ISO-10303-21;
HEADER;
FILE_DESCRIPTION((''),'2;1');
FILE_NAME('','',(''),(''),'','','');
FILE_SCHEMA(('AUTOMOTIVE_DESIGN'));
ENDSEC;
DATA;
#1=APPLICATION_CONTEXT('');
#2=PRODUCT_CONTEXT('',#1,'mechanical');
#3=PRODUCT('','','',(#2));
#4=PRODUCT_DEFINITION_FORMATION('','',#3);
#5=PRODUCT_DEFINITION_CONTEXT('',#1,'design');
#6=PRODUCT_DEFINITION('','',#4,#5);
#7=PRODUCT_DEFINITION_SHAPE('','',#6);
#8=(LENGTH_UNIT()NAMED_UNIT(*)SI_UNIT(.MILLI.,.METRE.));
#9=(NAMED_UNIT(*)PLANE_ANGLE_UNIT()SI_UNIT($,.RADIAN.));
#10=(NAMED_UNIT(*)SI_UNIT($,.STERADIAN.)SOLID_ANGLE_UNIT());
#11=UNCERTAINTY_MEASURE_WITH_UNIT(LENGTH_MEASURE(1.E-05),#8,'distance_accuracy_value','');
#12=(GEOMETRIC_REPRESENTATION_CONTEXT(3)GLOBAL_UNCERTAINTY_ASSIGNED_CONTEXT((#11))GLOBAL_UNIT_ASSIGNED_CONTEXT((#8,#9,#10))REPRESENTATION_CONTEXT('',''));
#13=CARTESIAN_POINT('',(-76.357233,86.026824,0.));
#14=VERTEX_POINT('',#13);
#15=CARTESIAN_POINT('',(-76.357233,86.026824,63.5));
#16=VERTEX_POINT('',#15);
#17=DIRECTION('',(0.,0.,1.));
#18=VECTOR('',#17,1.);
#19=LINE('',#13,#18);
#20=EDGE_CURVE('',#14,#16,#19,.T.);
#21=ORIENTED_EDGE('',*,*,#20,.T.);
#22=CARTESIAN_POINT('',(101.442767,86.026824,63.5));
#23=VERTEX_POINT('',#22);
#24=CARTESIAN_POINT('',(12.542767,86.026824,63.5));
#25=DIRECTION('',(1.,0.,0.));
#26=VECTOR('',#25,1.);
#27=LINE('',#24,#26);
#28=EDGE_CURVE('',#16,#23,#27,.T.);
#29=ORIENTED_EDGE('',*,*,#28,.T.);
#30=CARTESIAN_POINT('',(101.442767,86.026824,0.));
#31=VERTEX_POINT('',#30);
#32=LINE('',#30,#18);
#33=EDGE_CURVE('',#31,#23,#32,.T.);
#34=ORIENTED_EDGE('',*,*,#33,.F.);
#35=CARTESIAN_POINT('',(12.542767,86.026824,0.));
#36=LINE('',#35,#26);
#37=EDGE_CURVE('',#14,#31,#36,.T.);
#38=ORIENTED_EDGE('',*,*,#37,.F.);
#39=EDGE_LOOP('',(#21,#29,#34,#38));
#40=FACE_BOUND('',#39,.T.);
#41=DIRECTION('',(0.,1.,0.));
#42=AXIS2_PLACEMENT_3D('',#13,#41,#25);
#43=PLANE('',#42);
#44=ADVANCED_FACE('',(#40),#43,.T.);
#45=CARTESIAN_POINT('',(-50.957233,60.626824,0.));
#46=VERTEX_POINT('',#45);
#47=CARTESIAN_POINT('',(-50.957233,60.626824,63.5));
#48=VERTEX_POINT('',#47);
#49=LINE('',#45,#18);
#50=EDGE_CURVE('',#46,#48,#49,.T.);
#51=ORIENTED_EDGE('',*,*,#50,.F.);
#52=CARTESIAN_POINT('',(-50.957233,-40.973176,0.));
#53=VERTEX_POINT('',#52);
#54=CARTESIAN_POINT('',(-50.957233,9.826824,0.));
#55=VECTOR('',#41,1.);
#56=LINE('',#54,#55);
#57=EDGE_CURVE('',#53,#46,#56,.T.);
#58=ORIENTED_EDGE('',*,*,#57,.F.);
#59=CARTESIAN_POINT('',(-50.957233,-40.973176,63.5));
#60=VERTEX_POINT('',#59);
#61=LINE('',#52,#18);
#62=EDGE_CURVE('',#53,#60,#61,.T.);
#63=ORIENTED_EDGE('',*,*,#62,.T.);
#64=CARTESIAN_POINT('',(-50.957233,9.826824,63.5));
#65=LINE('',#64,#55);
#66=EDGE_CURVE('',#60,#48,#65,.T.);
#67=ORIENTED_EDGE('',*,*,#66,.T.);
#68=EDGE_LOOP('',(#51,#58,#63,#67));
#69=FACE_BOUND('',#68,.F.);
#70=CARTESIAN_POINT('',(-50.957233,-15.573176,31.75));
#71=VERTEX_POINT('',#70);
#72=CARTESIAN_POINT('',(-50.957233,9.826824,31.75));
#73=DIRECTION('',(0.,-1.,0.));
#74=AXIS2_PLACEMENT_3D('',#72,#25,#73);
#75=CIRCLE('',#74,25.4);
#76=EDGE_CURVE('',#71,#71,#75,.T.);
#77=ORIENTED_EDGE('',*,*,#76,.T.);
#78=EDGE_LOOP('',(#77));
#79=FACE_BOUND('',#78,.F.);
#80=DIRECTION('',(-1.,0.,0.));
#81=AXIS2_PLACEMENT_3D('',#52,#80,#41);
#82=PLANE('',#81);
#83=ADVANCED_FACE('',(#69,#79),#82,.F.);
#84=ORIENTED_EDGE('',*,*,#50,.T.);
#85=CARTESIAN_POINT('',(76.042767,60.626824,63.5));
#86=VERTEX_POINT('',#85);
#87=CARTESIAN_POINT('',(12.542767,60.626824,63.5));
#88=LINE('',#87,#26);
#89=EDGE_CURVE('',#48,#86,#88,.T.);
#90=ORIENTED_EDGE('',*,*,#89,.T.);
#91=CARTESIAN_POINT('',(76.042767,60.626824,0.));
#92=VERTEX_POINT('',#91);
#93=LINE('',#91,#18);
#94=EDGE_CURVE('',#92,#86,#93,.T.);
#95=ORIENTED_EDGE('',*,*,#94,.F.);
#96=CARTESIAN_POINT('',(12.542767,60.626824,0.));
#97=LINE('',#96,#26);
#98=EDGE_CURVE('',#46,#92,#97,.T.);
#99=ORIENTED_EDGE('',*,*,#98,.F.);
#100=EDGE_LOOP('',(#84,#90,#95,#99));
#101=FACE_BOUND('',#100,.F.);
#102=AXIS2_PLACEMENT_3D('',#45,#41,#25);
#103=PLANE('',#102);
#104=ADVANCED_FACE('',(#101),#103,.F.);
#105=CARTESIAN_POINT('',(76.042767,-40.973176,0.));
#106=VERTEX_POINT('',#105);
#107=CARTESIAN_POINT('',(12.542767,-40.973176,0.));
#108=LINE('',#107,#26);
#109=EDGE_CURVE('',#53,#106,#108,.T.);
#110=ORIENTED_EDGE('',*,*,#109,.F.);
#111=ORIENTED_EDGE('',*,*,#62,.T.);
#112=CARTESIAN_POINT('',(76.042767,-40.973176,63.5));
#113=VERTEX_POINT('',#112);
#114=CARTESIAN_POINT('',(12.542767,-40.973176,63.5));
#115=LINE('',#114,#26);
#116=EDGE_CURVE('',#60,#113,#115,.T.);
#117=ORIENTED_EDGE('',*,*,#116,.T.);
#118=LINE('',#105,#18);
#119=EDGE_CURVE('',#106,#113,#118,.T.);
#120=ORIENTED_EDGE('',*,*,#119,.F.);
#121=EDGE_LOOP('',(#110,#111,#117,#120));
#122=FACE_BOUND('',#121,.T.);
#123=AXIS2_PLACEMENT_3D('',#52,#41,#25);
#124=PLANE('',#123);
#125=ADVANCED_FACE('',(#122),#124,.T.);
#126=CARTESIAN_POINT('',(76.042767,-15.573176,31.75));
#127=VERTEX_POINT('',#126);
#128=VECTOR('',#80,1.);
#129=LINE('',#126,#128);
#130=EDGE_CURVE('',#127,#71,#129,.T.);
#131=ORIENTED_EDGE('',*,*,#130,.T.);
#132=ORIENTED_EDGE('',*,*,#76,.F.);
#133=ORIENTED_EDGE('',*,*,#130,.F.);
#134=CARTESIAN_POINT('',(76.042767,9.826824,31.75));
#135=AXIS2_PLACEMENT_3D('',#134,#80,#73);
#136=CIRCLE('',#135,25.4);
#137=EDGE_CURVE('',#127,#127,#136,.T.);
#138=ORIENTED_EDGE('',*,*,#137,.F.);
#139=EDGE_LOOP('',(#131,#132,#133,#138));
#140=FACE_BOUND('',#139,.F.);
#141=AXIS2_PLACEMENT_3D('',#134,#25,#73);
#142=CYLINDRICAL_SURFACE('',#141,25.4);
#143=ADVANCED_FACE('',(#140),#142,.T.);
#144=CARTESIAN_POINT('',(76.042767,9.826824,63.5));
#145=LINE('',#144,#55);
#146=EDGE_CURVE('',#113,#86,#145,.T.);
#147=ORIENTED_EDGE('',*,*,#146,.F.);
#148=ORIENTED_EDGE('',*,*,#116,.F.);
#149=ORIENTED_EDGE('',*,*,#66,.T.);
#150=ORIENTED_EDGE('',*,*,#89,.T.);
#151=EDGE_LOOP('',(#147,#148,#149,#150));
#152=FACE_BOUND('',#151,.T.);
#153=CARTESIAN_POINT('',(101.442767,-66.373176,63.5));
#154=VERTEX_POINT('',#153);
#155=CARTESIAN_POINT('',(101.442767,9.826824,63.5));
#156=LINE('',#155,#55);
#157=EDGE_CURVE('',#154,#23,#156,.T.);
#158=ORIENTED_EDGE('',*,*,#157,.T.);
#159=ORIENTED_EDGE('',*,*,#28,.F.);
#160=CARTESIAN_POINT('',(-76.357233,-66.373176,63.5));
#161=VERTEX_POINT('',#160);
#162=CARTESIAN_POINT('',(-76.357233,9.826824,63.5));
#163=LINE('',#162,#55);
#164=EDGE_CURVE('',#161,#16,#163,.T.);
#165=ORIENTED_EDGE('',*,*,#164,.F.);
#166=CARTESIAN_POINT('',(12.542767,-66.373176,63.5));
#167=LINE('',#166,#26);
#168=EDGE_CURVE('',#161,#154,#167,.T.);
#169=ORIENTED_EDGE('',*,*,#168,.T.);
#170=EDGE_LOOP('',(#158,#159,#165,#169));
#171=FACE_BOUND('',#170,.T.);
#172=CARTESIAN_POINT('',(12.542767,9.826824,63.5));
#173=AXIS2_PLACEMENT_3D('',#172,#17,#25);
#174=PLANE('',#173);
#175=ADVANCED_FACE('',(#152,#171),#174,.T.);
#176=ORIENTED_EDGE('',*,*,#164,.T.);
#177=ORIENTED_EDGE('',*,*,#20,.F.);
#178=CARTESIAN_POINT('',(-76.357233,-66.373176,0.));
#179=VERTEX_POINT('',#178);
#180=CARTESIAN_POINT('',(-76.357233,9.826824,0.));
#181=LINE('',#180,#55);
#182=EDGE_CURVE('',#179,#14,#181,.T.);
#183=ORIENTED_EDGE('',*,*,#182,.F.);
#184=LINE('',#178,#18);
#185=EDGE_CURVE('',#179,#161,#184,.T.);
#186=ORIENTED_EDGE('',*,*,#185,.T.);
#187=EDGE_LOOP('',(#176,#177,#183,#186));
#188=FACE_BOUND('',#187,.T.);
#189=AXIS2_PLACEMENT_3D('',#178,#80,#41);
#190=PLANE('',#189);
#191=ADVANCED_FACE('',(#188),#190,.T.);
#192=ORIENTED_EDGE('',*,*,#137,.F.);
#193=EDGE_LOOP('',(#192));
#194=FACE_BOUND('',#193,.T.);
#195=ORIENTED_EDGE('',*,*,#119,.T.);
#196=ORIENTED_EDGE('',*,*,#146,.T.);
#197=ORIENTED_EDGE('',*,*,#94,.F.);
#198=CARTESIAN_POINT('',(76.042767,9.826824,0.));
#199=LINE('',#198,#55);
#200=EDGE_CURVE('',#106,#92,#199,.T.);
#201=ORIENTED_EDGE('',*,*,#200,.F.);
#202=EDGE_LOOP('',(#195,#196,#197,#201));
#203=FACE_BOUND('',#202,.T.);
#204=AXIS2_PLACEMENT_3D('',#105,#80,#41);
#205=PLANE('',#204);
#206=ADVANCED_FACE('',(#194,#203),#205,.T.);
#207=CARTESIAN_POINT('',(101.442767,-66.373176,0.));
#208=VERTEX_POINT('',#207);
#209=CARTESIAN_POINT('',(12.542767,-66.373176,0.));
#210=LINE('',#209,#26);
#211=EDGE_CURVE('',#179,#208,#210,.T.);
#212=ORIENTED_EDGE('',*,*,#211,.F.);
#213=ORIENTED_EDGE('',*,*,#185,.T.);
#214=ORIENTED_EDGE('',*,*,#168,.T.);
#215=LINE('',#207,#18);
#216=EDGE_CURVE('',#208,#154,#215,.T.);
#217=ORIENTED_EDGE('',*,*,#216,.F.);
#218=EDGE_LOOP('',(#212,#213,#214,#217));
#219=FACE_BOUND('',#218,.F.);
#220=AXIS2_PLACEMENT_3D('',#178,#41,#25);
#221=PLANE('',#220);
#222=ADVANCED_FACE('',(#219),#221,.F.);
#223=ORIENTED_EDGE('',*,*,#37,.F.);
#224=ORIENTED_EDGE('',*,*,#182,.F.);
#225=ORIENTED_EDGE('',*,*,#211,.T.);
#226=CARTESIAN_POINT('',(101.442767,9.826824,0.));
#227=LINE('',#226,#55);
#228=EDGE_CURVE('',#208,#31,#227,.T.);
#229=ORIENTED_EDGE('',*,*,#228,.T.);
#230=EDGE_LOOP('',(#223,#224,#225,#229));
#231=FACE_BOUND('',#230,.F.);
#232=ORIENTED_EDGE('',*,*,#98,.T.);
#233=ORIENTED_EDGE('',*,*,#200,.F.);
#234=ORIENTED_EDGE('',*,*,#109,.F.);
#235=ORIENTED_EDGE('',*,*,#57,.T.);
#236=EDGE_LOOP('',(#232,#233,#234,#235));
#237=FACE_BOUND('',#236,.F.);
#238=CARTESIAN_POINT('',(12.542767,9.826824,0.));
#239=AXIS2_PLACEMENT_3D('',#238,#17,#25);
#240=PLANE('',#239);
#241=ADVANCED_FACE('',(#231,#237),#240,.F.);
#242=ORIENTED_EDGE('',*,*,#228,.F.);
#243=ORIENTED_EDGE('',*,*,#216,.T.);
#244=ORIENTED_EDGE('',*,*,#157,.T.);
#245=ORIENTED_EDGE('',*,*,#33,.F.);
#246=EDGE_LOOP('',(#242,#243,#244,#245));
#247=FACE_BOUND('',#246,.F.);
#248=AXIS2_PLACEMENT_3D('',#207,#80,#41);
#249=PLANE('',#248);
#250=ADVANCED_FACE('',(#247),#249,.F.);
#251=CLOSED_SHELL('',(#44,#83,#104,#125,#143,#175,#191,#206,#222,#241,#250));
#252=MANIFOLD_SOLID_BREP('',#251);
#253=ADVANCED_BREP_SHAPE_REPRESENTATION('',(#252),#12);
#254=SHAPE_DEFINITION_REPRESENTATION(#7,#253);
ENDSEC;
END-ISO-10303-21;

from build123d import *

# Parameters (mm, degrees)
F0_W     = 177.8
F0_H     = 152.4
F0_W_2   = 127
F0_H_2   = 101.6
F1_DEPTH = 63.5
F2_R     = 25.4
F3_DEPTH = 143.002


with BuildPart() as f1:
    # F0 (on Top) → F1 (new body)
    with BuildSketch(Plane.XY):
        with Locations((12.542767, 9.826824)):
            Rectangle(F0_W, F0_H)
        with Locations((12.542767, 9.826824)):
            Rectangle(F0_W_2, F0_H_2, mode=Mode.SUBTRACT)
    extrude(amount=F1_DEPTH)

    # F2 (on face) → F3 (join)
    with BuildSketch(Plane(origin=(76.042767, 0, 0), x_dir=(0, -1, 0), z_dir=(-1, 0, 0))):
        with Locations((-9.826824, 31.75)):
            Circle(F2_R)
    extrude(amount=F3_DEPTH)


solid = f1.part
